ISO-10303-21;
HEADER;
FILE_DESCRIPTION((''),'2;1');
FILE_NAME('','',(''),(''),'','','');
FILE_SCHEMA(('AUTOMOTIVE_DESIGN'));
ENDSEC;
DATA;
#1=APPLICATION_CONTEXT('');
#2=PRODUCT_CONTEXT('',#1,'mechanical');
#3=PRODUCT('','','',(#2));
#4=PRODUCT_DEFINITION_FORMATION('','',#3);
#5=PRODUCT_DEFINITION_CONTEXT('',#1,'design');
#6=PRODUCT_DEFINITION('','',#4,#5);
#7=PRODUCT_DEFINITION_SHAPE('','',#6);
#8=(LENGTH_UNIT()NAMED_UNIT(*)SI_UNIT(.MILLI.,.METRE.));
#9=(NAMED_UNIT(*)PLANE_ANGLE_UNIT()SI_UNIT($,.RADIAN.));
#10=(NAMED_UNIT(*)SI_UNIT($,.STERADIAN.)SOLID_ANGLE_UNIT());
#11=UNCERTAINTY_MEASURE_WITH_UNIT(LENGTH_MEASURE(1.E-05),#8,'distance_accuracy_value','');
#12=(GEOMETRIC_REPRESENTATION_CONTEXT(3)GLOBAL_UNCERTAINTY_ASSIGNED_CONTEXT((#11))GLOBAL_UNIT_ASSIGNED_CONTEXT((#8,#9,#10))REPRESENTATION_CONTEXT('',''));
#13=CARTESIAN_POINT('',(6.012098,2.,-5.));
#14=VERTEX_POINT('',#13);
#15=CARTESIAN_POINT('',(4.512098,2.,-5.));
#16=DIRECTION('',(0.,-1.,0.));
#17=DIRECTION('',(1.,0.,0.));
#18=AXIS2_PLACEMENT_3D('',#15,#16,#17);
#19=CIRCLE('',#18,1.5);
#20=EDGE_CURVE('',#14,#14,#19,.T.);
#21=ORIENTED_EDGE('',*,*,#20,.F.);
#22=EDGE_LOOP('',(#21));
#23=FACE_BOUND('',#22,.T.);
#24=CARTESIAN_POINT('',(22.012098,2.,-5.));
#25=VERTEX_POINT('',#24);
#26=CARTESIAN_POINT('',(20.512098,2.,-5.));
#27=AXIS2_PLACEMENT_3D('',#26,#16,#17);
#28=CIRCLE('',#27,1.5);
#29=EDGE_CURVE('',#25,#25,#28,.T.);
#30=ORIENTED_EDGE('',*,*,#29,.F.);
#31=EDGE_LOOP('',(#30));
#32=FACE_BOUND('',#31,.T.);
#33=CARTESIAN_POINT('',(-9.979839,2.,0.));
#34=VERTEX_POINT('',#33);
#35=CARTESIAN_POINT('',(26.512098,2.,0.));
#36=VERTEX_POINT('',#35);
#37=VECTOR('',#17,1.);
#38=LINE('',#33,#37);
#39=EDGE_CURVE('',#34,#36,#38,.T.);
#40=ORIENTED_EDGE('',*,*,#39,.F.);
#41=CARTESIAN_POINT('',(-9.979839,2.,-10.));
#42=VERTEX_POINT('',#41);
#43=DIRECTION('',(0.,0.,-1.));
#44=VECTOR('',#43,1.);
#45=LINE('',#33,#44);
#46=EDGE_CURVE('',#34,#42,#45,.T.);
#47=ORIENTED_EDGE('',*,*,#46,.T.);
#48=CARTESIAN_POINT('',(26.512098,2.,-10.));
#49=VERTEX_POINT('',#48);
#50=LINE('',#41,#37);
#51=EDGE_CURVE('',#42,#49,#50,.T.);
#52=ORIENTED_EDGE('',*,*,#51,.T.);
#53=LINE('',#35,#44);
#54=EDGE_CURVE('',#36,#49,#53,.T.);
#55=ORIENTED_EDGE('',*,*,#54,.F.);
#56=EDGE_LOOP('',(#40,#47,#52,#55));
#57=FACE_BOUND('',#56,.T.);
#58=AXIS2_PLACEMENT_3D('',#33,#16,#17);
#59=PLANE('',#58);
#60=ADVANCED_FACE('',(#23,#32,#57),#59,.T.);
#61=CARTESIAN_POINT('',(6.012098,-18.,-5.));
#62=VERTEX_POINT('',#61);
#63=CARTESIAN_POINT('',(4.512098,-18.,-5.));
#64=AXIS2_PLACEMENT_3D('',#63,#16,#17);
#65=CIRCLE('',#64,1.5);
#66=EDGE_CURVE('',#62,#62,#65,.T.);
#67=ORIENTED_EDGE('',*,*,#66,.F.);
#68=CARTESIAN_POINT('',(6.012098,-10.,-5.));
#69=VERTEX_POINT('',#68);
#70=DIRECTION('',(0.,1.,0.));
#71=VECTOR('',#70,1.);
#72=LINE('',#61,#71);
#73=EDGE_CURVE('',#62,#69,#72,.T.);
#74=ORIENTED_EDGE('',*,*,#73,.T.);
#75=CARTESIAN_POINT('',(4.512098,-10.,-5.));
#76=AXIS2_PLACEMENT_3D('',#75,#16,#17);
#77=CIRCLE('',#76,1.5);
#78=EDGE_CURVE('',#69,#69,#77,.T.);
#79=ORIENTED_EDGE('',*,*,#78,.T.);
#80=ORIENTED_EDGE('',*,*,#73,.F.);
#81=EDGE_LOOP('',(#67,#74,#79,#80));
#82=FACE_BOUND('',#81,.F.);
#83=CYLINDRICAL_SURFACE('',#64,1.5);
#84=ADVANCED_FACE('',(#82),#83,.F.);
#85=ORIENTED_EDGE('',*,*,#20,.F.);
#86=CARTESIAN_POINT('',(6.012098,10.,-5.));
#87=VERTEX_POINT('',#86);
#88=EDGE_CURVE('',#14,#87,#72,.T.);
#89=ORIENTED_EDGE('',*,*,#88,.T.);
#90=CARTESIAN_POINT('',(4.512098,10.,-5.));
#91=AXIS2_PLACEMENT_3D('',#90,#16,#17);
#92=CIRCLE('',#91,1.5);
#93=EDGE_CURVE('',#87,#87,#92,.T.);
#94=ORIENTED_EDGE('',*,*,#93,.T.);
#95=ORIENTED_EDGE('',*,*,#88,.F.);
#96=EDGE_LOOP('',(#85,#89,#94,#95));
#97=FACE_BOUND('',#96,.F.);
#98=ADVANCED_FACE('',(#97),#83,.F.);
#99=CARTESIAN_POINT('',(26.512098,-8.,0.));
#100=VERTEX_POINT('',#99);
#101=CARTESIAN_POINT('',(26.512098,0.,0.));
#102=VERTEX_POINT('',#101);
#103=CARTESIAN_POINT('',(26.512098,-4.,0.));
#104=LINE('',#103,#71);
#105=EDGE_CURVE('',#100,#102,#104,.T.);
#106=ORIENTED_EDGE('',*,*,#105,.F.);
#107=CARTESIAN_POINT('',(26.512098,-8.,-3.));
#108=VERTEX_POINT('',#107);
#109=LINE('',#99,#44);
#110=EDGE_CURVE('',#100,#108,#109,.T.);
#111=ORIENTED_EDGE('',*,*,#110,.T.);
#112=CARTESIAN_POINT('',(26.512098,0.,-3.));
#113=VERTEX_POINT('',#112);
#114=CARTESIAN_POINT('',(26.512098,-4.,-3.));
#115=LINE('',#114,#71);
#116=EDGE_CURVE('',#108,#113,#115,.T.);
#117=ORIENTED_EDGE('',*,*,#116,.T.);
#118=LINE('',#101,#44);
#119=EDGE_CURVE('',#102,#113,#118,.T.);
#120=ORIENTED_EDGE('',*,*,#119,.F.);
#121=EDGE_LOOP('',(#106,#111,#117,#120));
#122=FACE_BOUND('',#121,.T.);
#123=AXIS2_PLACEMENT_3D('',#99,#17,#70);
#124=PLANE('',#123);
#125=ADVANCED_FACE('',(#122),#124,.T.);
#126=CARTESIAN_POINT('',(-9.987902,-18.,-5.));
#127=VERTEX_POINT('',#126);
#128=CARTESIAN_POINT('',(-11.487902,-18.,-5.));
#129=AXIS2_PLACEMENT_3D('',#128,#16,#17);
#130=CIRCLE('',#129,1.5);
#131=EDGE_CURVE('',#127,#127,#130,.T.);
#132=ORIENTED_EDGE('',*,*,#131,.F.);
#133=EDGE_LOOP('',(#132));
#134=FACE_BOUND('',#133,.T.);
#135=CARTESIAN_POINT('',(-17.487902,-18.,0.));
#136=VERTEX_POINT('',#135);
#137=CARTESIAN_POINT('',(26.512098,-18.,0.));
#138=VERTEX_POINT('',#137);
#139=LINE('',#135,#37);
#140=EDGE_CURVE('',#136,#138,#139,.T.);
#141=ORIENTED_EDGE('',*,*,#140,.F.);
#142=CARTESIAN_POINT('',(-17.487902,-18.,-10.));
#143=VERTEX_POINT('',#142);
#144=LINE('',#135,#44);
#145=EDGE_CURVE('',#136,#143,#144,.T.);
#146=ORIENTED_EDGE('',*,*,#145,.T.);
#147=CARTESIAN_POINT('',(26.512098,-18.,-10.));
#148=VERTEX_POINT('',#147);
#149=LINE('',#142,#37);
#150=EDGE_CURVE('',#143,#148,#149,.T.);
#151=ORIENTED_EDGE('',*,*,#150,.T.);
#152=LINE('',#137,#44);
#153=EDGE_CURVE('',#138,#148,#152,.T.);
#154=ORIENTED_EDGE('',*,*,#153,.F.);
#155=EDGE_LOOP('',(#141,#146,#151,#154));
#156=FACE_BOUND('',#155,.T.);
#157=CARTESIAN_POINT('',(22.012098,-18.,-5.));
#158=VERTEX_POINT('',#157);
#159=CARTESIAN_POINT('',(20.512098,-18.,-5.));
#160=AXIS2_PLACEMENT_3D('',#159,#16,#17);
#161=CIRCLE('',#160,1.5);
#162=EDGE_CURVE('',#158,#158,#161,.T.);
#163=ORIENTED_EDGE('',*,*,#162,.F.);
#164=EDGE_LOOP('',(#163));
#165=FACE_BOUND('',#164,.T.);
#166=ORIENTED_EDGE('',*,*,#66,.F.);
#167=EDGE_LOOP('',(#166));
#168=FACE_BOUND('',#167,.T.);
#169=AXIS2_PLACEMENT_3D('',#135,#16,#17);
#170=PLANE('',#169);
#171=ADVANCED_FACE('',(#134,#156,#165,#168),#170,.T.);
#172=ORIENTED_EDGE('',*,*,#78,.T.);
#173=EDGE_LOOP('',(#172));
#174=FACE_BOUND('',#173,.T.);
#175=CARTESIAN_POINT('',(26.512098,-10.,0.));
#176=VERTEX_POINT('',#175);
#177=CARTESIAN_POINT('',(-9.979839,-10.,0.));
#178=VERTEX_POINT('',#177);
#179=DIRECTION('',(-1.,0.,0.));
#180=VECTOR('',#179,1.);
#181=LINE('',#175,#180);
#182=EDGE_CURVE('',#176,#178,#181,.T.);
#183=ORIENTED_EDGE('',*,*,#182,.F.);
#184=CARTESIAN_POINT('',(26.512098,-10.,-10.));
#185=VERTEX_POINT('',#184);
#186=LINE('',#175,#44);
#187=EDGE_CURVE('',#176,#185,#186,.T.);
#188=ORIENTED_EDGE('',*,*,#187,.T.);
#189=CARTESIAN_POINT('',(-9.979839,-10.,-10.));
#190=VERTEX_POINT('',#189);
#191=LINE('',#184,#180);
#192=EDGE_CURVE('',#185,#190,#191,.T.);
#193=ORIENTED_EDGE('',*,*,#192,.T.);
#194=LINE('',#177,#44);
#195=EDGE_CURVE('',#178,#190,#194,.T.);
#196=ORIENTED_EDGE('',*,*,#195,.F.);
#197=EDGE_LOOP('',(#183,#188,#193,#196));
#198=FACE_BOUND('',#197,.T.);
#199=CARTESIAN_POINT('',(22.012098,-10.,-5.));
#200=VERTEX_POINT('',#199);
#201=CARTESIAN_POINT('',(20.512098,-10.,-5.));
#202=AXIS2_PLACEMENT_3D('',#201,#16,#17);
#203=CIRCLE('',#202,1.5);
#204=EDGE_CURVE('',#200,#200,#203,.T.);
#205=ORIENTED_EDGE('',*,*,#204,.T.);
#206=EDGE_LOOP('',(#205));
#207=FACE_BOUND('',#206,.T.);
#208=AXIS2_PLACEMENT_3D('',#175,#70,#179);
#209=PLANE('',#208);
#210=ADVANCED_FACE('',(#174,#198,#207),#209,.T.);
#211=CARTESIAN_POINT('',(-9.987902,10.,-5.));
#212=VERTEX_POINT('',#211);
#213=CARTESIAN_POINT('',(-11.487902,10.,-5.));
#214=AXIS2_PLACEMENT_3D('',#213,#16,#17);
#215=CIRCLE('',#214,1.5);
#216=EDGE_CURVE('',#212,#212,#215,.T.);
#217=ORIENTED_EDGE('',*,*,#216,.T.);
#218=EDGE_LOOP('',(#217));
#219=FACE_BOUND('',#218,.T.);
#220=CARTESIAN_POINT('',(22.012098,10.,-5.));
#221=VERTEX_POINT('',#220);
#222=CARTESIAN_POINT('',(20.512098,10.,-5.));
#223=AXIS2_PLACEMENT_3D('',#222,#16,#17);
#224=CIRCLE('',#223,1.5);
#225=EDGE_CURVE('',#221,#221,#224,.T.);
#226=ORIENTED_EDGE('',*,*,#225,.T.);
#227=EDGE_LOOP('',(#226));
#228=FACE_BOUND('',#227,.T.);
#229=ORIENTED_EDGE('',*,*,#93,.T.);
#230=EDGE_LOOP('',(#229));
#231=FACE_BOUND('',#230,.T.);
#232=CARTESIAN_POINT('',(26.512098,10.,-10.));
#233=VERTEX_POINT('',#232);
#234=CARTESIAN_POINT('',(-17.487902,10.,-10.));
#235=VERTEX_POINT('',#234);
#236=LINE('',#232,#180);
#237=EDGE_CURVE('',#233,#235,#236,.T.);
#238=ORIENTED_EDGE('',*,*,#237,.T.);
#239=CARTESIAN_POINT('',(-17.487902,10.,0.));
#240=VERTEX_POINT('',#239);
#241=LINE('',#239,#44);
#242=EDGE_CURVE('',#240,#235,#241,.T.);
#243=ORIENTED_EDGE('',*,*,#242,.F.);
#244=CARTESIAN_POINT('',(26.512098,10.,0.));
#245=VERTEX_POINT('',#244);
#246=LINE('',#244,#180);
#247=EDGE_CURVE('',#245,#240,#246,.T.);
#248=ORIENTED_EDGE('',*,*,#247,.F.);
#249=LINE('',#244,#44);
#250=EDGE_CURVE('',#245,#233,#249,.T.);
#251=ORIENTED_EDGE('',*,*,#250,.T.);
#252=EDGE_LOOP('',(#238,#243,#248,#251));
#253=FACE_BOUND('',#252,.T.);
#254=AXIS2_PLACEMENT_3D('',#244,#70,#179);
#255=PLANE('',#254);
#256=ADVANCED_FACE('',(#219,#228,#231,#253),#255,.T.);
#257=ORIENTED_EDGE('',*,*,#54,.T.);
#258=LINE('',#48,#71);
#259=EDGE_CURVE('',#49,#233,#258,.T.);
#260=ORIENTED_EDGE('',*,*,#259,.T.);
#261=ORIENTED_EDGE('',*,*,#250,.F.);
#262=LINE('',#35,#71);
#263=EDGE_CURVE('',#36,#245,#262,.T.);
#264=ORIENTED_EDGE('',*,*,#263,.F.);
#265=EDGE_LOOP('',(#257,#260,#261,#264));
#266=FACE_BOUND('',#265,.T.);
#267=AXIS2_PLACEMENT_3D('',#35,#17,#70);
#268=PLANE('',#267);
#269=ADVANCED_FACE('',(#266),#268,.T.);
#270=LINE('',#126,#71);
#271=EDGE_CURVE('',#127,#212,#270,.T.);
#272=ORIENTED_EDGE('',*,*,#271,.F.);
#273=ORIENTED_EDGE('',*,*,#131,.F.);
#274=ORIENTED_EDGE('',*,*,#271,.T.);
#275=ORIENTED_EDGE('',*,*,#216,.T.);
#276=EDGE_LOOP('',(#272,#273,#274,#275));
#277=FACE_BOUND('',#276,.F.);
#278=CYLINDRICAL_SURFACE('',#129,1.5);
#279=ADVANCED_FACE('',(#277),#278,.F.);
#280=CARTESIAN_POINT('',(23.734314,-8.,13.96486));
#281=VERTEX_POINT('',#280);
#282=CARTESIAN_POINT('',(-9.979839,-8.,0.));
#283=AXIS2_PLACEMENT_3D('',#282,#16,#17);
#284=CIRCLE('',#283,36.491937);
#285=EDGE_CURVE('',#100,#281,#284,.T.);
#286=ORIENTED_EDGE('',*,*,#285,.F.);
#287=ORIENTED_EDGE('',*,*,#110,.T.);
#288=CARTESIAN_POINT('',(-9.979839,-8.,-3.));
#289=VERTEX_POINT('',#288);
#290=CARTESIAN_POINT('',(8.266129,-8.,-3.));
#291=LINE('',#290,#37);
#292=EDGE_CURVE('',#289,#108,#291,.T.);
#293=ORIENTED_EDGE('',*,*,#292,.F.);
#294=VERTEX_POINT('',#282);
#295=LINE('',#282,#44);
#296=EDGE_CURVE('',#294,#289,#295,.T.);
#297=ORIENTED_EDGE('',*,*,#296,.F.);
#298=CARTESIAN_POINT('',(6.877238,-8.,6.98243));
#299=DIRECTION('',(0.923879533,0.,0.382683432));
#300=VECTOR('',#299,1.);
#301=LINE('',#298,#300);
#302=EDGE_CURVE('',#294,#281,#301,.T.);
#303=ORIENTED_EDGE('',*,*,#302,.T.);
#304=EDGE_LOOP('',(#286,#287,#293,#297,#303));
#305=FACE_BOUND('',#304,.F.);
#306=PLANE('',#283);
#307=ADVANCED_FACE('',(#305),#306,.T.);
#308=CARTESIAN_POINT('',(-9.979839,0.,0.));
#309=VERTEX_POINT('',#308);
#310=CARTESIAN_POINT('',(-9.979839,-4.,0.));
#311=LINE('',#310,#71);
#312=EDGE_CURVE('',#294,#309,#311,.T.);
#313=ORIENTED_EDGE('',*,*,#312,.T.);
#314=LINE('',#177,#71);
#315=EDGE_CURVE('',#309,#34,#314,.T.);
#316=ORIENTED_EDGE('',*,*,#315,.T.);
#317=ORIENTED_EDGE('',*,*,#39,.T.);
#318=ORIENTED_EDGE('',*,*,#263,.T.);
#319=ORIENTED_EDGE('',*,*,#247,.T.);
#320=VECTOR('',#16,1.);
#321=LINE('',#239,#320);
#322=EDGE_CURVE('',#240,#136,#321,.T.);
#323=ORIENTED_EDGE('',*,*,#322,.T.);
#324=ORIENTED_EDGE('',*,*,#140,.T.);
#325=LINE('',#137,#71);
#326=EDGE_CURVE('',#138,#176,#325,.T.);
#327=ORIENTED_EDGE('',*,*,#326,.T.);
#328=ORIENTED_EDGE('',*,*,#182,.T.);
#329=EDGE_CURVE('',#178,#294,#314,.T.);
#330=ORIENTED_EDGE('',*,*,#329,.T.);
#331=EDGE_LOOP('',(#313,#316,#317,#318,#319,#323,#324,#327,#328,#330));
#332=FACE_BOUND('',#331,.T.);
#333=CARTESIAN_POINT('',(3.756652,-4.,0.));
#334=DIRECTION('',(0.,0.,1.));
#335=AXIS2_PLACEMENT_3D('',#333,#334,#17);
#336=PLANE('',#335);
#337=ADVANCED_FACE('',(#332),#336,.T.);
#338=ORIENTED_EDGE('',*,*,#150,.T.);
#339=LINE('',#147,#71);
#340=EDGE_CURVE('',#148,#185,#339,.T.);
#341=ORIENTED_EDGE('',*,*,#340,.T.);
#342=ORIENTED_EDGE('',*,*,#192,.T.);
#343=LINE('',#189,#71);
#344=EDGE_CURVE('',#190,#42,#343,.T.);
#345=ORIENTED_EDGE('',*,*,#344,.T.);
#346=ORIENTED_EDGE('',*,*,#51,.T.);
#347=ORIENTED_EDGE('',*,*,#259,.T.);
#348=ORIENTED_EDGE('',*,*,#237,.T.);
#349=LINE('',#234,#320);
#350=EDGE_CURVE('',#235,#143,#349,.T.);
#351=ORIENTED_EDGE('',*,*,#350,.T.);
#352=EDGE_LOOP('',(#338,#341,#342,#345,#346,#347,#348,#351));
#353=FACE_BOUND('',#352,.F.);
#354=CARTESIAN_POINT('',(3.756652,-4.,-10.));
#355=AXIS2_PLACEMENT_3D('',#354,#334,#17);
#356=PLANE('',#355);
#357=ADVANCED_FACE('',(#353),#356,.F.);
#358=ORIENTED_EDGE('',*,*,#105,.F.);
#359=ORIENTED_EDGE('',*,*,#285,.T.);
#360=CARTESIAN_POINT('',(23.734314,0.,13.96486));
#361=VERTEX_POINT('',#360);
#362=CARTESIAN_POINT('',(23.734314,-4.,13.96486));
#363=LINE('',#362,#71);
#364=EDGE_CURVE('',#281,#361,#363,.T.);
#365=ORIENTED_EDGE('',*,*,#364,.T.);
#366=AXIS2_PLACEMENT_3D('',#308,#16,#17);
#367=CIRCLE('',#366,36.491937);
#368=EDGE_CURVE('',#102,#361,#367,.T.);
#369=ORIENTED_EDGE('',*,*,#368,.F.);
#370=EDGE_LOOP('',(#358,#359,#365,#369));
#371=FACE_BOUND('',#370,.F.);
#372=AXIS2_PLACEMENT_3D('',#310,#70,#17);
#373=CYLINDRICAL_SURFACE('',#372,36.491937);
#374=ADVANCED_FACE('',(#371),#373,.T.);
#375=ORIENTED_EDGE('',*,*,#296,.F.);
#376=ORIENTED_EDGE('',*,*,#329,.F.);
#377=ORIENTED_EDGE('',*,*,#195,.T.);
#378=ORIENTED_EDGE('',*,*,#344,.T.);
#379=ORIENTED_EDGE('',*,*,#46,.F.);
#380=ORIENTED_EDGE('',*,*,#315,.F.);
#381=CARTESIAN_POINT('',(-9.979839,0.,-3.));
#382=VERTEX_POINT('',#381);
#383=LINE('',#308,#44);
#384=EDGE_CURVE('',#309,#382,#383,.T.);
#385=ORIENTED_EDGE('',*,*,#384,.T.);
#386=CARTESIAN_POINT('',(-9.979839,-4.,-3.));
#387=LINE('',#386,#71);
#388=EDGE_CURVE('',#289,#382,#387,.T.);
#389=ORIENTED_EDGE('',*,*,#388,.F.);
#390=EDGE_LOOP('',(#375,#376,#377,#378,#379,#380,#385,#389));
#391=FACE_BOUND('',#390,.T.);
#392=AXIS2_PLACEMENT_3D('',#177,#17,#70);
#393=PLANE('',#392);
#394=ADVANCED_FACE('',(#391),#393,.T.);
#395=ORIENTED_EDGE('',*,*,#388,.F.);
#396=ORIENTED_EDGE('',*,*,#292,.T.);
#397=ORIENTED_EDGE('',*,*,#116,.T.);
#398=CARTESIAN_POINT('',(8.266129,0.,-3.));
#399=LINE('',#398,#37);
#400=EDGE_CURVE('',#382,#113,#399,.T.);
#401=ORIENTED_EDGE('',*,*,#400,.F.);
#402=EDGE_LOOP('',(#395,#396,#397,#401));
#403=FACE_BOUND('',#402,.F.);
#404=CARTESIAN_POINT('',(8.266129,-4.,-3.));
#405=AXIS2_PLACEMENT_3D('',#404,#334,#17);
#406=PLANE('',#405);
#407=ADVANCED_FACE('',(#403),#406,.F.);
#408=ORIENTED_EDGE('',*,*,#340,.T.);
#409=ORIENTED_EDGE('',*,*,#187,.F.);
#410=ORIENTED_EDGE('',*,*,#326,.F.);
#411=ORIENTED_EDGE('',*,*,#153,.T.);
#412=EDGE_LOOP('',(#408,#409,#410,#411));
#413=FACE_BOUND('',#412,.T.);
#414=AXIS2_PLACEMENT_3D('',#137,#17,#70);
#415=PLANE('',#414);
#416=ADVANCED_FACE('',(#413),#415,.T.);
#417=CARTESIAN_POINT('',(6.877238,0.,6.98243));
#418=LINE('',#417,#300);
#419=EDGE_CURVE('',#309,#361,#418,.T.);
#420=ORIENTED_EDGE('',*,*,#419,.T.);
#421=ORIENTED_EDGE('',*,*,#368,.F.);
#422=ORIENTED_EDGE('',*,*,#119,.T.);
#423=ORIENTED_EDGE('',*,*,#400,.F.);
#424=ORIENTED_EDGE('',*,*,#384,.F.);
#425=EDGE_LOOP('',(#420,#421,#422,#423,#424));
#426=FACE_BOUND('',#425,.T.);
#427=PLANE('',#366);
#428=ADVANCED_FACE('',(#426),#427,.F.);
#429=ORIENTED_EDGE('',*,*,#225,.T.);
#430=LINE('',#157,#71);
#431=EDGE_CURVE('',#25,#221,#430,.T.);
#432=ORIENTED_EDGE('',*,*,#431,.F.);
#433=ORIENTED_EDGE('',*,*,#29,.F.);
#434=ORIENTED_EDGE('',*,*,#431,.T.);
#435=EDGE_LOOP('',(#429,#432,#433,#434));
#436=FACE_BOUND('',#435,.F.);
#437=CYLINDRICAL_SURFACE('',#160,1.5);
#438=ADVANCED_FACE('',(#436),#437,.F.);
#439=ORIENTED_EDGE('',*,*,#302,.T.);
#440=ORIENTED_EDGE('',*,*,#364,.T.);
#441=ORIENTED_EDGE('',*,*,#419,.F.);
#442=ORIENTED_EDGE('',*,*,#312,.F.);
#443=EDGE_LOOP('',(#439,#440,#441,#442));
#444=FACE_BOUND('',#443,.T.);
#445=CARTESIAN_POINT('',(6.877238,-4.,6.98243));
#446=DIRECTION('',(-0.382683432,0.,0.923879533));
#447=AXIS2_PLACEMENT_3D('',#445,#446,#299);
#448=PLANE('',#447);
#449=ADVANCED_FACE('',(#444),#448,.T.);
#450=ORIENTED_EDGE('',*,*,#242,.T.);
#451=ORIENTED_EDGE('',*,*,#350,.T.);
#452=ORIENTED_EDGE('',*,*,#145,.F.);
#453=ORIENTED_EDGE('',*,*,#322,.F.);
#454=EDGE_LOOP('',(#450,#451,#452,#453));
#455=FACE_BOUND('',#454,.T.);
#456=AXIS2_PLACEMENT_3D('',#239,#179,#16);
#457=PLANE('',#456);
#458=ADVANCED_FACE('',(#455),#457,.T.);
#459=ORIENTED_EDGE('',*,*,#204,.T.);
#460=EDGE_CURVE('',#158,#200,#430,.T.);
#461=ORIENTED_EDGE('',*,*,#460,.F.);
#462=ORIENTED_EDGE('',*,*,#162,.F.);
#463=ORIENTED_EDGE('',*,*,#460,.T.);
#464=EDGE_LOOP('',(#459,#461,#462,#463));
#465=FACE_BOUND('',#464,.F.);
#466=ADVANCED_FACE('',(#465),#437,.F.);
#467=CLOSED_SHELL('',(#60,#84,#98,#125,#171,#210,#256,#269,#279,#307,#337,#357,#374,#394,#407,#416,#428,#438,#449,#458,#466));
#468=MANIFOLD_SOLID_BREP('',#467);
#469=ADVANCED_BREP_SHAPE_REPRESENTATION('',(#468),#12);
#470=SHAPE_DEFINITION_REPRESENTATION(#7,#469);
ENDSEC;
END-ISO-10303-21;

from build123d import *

# Parameters (mm, degrees)
F1_DEPTH = 10
F0_W     = 36.4919372275
F0_H     = 8
F2_DEPTH = 3
F3_ANGLE = 22.5
F4_R     = 1.5
F5_DEPTH = 28.001


with BuildPart() as f1:
    # F0 (on Top) → F1 (new body)
    with BuildSketch(Plane.XY):
        Polygon((26.5120977908, 10), (-17.4879022092, 10), (-17.4879022092, -18), (26.5120977908, -18), (26.5120977908, -10), (-9.9798394367, -10), (-9.9798394367, -8), (-9.9798394367, 0), (-9.9798394367, 2), (26.5120977908, 2), align=None)
    extrude(amount=-F1_DEPTH)

    # F0 (on Top) → F2 (join)
    with BuildSketch(Plane.XY):
        with Locations((8.2661291771, -4)):
            Rectangle(F0_W, F0_H)
    extrude(amount=-F2_DEPTH)

    # F0 (on Top) → F3 (revolve)
    with BuildSketch(Plane.XY):
        with Locations((8.2661291771, -4)):
            Rectangle(F0_W, F0_H)
    revolve(axis=Axis((-9.9798394367, -4, 0), (0, -1, 0)), revolution_arc=F3_ANGLE)

    # F4 (on face) → F5 (cut, through all)
    with BuildSketch(Plane.XZ.offset(18)):
        with Locations((-11.4879022092, -5)):
            Circle(F4_R)
        with Locations((4.5120977908, -5)):
            Circle(F4_R)
        with Locations((20.5120977908, -5)):
            Circle(F4_R)
    extrude(amount=-F5_DEPTH, mode=Mode.SUBTRACT)


solid = f1.part
